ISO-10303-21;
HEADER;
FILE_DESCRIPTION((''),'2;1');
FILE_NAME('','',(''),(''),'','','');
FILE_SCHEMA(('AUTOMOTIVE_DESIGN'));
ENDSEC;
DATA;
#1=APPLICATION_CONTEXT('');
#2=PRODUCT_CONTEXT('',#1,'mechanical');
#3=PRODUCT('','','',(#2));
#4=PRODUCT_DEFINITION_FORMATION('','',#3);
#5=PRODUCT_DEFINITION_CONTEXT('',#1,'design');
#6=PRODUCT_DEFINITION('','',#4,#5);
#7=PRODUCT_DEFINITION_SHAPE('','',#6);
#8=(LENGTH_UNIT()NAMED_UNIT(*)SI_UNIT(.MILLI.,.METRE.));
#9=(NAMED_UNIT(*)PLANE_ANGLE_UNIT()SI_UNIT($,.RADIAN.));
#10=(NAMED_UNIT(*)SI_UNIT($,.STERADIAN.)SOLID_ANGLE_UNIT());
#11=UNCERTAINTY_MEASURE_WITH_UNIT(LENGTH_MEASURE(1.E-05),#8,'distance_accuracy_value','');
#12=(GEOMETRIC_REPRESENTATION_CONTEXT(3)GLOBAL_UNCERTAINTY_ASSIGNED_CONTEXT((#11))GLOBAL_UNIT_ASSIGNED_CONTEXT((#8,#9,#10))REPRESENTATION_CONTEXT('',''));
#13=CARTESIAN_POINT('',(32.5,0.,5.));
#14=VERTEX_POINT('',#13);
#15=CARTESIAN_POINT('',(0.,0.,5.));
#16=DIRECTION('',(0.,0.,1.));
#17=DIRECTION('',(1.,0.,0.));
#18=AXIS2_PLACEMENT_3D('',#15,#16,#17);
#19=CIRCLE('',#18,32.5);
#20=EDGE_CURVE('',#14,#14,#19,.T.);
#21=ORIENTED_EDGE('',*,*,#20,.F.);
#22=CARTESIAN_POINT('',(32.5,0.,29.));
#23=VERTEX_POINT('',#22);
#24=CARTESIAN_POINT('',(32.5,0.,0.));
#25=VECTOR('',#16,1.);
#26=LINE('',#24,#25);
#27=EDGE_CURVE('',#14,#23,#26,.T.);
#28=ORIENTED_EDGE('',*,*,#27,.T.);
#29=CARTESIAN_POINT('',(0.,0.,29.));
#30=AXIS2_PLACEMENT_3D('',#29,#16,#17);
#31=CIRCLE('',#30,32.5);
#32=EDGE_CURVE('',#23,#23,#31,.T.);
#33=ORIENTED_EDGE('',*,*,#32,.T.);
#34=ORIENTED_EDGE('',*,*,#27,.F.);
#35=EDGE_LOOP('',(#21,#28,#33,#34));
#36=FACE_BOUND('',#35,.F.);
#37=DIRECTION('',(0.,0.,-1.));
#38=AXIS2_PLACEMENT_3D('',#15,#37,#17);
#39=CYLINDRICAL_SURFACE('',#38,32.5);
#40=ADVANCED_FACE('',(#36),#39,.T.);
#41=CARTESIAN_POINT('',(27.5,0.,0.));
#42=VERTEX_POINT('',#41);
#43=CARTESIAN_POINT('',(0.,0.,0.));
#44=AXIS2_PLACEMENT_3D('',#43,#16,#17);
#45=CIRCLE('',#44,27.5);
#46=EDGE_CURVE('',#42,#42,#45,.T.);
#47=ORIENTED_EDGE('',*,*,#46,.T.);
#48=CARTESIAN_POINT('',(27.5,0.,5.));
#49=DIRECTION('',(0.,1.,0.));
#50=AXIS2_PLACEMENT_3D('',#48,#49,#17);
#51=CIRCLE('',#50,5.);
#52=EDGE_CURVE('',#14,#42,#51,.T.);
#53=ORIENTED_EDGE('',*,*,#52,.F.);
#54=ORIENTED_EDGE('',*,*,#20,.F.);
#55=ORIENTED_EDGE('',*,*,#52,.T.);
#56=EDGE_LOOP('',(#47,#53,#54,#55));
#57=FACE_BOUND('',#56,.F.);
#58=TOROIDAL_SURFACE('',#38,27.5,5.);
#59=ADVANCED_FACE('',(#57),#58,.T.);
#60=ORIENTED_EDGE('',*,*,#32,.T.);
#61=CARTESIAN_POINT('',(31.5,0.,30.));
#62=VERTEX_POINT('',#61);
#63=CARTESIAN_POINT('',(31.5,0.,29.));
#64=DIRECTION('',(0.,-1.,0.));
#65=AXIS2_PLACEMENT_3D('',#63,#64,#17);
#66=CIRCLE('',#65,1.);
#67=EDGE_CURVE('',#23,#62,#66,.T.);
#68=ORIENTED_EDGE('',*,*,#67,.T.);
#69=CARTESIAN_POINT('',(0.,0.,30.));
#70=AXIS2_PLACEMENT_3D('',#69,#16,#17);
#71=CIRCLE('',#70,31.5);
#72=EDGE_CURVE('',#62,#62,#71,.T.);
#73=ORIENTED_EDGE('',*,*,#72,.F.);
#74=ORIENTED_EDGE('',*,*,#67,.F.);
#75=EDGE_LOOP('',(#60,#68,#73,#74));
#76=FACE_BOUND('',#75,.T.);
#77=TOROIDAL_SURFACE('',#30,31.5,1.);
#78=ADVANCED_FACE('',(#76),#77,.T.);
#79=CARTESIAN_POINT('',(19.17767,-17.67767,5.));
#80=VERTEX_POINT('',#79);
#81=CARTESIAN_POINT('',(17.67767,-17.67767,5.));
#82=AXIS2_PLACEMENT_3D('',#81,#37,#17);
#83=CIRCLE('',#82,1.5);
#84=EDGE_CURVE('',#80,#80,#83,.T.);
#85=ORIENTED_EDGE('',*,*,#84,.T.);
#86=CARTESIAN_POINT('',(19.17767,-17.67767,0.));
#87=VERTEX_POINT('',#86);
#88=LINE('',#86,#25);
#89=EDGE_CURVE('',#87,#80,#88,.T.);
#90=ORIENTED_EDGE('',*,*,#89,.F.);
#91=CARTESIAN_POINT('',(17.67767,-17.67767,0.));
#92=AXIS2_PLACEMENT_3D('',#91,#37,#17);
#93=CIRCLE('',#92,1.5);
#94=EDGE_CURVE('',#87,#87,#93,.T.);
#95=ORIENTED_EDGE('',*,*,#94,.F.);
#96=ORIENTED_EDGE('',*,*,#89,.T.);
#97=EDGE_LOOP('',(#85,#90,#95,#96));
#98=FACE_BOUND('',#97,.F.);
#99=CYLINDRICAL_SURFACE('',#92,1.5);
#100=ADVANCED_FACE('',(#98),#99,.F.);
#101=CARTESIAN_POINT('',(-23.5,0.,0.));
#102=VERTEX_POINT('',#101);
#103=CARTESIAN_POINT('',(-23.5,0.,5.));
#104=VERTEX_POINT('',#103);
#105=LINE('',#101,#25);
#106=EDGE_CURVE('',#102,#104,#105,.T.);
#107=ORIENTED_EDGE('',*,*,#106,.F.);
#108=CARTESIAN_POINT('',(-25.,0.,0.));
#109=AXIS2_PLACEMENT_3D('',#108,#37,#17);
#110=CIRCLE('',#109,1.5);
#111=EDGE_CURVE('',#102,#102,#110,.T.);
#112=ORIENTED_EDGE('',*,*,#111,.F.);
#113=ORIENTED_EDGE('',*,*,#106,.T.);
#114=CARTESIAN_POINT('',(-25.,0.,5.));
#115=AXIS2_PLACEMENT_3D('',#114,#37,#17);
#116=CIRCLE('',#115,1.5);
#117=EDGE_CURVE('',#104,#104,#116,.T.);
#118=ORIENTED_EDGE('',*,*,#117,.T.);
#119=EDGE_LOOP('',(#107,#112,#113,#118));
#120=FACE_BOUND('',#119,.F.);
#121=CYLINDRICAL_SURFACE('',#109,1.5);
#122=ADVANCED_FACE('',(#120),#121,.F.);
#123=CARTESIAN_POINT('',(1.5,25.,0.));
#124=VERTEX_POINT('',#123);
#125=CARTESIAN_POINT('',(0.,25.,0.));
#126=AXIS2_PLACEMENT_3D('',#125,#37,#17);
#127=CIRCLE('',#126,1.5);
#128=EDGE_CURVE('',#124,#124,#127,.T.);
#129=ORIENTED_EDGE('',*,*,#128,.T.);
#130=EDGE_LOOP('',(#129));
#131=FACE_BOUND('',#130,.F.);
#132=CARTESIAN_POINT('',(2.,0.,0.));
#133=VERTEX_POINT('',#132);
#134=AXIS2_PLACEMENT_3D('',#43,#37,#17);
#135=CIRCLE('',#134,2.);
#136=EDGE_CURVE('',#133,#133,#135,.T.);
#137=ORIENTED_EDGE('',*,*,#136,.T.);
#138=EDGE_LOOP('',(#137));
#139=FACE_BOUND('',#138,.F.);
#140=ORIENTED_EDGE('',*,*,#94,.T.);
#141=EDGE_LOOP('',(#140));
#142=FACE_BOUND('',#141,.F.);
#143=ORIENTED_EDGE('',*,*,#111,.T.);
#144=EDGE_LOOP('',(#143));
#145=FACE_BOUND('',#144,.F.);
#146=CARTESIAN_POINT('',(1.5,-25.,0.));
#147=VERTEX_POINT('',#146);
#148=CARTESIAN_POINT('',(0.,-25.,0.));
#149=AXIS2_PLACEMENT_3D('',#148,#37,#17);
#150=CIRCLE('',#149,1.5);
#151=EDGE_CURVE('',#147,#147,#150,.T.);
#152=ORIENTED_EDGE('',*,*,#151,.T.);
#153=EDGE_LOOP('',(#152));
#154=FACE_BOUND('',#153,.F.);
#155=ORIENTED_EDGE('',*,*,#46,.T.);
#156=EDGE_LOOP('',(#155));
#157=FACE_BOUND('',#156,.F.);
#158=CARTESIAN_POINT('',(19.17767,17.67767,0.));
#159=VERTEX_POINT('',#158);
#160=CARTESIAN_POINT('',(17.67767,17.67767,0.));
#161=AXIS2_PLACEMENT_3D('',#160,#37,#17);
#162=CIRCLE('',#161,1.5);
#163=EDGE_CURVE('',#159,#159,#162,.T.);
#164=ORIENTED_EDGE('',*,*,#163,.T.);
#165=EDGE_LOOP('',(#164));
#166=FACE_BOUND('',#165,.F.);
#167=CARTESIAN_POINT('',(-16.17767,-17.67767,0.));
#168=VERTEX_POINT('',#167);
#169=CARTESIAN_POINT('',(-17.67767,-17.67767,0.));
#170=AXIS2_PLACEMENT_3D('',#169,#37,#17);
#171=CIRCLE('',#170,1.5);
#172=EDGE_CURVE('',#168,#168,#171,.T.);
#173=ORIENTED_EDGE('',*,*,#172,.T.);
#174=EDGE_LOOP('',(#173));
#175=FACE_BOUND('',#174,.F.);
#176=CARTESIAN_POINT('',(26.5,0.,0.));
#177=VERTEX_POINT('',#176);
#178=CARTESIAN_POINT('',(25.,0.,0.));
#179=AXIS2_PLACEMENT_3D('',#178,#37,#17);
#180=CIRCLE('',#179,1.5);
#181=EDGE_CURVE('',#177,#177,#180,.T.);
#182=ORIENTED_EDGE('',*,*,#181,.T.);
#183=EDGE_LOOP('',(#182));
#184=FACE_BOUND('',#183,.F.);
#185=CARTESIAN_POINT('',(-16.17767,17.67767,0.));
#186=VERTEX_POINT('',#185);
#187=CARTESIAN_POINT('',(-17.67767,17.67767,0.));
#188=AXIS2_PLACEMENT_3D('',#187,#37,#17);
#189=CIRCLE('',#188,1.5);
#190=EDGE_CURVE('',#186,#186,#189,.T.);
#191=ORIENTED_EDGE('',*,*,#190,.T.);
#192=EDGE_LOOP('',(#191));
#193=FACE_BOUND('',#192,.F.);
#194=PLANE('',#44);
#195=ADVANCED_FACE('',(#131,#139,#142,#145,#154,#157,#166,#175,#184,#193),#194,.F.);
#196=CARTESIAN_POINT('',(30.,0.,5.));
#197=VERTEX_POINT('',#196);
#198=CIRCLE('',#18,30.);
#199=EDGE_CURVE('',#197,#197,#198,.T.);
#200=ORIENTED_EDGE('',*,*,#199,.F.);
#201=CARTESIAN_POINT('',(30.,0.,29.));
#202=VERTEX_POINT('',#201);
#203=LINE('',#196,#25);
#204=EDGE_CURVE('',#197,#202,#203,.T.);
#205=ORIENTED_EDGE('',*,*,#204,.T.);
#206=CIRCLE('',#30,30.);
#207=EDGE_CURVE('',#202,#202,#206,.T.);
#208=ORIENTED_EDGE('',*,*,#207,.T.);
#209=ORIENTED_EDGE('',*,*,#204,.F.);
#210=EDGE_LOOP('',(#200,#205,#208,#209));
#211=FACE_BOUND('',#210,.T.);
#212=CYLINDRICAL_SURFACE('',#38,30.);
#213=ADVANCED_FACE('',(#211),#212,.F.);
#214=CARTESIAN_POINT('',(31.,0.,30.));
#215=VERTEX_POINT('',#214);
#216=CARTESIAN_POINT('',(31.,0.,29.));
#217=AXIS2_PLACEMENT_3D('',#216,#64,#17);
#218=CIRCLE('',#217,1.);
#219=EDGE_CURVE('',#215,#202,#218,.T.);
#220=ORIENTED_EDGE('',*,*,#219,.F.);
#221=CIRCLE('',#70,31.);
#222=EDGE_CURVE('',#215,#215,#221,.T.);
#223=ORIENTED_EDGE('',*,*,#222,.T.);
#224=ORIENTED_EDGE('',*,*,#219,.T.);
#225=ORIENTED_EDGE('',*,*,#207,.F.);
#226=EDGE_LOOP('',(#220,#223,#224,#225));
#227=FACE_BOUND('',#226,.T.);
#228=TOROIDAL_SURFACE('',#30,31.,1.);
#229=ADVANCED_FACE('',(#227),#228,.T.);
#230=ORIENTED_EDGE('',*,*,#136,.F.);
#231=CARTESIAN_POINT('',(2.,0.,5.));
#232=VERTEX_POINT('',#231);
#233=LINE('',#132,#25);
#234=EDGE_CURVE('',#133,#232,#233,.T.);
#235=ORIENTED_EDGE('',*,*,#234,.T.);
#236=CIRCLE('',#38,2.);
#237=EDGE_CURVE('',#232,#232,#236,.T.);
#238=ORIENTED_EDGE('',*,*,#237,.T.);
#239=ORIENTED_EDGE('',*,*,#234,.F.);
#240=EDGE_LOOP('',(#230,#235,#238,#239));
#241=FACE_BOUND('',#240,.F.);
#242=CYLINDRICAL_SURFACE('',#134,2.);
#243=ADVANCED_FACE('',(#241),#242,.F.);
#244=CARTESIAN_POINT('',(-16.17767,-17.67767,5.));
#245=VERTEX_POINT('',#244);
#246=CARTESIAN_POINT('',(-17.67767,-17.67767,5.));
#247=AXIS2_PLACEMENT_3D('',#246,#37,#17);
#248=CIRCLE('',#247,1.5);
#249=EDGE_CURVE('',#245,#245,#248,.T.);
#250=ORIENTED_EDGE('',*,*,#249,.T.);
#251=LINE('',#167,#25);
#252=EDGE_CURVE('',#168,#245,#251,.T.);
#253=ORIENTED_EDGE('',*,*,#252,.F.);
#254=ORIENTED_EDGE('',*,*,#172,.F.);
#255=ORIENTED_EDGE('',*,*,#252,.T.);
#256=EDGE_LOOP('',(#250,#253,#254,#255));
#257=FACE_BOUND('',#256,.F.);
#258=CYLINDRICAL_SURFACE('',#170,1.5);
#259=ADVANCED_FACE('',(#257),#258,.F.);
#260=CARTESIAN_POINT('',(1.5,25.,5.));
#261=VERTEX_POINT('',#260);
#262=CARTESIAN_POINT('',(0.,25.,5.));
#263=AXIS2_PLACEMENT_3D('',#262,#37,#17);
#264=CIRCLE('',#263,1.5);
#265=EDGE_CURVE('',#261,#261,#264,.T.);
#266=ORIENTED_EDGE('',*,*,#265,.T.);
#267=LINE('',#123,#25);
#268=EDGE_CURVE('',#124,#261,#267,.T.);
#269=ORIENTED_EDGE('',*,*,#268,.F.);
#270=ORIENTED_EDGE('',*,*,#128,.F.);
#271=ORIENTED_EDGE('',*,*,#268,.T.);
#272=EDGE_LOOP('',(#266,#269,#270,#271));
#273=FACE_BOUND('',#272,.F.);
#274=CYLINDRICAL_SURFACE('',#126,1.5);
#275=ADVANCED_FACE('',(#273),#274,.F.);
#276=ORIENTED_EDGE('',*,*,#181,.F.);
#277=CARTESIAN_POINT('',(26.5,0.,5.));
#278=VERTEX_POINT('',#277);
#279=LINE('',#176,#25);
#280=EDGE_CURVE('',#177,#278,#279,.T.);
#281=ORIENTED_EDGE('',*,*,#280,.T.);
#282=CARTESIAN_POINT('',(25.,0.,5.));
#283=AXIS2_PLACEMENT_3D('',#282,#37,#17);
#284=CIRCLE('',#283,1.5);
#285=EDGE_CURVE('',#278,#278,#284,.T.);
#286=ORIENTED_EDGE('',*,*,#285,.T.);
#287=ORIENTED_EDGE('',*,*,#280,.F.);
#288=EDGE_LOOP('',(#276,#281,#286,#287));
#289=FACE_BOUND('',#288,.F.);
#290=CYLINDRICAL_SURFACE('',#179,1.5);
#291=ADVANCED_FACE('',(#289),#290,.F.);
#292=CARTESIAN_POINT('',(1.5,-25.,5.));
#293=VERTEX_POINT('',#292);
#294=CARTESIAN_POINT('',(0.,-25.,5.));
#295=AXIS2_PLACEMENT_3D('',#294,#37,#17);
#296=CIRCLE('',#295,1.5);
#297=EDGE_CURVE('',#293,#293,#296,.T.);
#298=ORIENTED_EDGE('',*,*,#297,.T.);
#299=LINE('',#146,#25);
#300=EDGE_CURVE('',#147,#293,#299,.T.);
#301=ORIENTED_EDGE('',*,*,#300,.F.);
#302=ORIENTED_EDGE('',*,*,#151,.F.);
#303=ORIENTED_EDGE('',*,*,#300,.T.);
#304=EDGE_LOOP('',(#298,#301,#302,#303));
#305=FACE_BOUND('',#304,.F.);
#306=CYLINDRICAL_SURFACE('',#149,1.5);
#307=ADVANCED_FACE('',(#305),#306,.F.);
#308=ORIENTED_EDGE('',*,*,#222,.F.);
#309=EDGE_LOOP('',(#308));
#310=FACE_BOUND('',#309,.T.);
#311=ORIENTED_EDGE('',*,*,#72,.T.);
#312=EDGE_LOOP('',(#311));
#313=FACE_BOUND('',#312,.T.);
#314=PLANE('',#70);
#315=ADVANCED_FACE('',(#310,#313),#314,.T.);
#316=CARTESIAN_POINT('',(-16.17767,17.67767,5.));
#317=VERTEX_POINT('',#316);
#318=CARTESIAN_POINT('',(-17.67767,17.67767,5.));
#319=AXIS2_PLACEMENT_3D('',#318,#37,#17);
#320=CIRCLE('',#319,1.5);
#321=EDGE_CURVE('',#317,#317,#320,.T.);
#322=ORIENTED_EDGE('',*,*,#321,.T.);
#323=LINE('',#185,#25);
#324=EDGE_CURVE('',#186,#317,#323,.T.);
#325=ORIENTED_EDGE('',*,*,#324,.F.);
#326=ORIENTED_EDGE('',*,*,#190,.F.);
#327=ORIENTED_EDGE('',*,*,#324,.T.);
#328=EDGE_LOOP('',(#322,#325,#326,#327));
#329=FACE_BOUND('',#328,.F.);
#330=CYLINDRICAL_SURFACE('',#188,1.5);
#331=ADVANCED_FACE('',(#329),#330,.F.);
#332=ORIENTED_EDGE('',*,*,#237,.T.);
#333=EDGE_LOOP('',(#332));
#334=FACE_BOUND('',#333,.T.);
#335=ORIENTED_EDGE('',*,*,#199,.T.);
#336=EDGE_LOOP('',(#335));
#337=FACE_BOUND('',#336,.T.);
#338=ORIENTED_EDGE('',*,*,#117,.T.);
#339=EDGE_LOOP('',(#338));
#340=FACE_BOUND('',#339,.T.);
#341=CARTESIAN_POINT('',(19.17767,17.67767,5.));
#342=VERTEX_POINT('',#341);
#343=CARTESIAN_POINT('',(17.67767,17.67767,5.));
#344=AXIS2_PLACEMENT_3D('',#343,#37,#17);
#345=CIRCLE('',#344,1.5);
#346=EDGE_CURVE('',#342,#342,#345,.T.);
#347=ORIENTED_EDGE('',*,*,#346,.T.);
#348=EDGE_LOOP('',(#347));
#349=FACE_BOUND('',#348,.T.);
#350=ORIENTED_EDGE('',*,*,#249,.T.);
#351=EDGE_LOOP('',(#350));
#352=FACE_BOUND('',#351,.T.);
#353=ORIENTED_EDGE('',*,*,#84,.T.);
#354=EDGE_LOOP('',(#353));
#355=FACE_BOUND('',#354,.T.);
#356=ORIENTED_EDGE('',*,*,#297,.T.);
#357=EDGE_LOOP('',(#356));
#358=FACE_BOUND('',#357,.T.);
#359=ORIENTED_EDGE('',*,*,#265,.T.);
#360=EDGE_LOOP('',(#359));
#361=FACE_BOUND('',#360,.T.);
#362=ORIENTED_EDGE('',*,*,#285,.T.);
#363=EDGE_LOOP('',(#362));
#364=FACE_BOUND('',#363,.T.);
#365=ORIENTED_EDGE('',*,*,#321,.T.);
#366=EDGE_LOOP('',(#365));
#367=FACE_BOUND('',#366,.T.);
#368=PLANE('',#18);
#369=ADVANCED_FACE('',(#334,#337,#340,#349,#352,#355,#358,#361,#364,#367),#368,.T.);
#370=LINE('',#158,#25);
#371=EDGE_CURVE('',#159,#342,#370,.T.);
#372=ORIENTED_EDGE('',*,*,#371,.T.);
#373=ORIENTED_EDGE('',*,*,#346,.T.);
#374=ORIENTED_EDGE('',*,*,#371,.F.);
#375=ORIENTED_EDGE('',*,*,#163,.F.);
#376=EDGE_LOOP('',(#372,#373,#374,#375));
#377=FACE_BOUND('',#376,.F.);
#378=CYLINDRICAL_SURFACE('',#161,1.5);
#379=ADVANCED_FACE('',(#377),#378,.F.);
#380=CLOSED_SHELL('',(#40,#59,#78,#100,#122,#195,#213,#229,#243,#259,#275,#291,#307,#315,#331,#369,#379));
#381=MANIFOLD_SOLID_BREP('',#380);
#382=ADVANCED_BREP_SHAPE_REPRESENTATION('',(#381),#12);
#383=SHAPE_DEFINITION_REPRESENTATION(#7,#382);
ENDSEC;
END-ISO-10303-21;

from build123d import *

# Parameters (mm, degrees)
F0_R     = 32.5
F1_DEPTH = 5
F2_R     = 32.5
F2_R_2   = 30
F3_DEPTH = 25
F4_R     = 2
F5_DEPTH = 25
F6_R     = 1.5
F7_DEPTH = 25
F8_R     = 5
F9_R     = 1


with BuildPart() as f1:
    # F0 (on Top) → F1 (new body)
    with BuildSketch(Plane.XY):
        Circle(F0_R)
    extrude(amount=F1_DEPTH)

    # F2 (on face) → F3 (join)
    with BuildSketch(Plane.XY.offset(5)):
        Circle(F2_R)
        Circle(F2_R_2, mode=Mode.SUBTRACT)
    extrude(amount=F3_DEPTH)

    # F4 (on face) → F5 (cut)
    with BuildSketch(Plane(origin=(0, 0, 0), x_dir=(1, 0, 0), z_dir=(0, 0, -1))):
        Circle(F4_R)
    extrude(amount=-F5_DEPTH, mode=Mode.SUBTRACT)

    # F6 (on face) → F7 (cut)
    with BuildSketch(Plane(origin=(0, 0, 0), x_dir=(1, 0, 0), z_dir=(0, 0, -1))):
        with Locations((0, 25)):
            Circle(F6_R)
        with Locations((17.67767, 17.67767)):
            Circle(F6_R)
        with BuildLine():
            ThreePointArc((23.5, 0), (25, -1.5), (26.5, 0))
            ThreePointArc((26.5, 0), (25, 1.5), (23.5, 0))
        make_face()
        with Locations((17.67767, -17.67767)):
            Circle(F6_R)
        with Locations((0, -25)):
            Circle(F6_R)
        with Locations((-17.67767, -17.67767)):
            Circle(F6_R)
        with Locations((-17.67767, 17.67767)):
            Circle(F6_R)
        with Locations((-25, 0)):
            Circle(F6_R)
    extrude(amount=-F7_DEPTH, mode=Mode.SUBTRACT)

    # F8
    f8_edges = [f1.edges().sort_by_distance(p)[0] for p in [
        (-32.5, 0, 0),
    ]]
    fillet(f8_edges, radius=F8_R)

    # F9
    f9_edges = [f1.edges().sort_by_distance(p)[0] for p in [
        (-30, 0, 30),
        (-32.5, 0, 30),
    ]]
    fillet(f9_edges, radius=F9_R)


solid = f1.part
